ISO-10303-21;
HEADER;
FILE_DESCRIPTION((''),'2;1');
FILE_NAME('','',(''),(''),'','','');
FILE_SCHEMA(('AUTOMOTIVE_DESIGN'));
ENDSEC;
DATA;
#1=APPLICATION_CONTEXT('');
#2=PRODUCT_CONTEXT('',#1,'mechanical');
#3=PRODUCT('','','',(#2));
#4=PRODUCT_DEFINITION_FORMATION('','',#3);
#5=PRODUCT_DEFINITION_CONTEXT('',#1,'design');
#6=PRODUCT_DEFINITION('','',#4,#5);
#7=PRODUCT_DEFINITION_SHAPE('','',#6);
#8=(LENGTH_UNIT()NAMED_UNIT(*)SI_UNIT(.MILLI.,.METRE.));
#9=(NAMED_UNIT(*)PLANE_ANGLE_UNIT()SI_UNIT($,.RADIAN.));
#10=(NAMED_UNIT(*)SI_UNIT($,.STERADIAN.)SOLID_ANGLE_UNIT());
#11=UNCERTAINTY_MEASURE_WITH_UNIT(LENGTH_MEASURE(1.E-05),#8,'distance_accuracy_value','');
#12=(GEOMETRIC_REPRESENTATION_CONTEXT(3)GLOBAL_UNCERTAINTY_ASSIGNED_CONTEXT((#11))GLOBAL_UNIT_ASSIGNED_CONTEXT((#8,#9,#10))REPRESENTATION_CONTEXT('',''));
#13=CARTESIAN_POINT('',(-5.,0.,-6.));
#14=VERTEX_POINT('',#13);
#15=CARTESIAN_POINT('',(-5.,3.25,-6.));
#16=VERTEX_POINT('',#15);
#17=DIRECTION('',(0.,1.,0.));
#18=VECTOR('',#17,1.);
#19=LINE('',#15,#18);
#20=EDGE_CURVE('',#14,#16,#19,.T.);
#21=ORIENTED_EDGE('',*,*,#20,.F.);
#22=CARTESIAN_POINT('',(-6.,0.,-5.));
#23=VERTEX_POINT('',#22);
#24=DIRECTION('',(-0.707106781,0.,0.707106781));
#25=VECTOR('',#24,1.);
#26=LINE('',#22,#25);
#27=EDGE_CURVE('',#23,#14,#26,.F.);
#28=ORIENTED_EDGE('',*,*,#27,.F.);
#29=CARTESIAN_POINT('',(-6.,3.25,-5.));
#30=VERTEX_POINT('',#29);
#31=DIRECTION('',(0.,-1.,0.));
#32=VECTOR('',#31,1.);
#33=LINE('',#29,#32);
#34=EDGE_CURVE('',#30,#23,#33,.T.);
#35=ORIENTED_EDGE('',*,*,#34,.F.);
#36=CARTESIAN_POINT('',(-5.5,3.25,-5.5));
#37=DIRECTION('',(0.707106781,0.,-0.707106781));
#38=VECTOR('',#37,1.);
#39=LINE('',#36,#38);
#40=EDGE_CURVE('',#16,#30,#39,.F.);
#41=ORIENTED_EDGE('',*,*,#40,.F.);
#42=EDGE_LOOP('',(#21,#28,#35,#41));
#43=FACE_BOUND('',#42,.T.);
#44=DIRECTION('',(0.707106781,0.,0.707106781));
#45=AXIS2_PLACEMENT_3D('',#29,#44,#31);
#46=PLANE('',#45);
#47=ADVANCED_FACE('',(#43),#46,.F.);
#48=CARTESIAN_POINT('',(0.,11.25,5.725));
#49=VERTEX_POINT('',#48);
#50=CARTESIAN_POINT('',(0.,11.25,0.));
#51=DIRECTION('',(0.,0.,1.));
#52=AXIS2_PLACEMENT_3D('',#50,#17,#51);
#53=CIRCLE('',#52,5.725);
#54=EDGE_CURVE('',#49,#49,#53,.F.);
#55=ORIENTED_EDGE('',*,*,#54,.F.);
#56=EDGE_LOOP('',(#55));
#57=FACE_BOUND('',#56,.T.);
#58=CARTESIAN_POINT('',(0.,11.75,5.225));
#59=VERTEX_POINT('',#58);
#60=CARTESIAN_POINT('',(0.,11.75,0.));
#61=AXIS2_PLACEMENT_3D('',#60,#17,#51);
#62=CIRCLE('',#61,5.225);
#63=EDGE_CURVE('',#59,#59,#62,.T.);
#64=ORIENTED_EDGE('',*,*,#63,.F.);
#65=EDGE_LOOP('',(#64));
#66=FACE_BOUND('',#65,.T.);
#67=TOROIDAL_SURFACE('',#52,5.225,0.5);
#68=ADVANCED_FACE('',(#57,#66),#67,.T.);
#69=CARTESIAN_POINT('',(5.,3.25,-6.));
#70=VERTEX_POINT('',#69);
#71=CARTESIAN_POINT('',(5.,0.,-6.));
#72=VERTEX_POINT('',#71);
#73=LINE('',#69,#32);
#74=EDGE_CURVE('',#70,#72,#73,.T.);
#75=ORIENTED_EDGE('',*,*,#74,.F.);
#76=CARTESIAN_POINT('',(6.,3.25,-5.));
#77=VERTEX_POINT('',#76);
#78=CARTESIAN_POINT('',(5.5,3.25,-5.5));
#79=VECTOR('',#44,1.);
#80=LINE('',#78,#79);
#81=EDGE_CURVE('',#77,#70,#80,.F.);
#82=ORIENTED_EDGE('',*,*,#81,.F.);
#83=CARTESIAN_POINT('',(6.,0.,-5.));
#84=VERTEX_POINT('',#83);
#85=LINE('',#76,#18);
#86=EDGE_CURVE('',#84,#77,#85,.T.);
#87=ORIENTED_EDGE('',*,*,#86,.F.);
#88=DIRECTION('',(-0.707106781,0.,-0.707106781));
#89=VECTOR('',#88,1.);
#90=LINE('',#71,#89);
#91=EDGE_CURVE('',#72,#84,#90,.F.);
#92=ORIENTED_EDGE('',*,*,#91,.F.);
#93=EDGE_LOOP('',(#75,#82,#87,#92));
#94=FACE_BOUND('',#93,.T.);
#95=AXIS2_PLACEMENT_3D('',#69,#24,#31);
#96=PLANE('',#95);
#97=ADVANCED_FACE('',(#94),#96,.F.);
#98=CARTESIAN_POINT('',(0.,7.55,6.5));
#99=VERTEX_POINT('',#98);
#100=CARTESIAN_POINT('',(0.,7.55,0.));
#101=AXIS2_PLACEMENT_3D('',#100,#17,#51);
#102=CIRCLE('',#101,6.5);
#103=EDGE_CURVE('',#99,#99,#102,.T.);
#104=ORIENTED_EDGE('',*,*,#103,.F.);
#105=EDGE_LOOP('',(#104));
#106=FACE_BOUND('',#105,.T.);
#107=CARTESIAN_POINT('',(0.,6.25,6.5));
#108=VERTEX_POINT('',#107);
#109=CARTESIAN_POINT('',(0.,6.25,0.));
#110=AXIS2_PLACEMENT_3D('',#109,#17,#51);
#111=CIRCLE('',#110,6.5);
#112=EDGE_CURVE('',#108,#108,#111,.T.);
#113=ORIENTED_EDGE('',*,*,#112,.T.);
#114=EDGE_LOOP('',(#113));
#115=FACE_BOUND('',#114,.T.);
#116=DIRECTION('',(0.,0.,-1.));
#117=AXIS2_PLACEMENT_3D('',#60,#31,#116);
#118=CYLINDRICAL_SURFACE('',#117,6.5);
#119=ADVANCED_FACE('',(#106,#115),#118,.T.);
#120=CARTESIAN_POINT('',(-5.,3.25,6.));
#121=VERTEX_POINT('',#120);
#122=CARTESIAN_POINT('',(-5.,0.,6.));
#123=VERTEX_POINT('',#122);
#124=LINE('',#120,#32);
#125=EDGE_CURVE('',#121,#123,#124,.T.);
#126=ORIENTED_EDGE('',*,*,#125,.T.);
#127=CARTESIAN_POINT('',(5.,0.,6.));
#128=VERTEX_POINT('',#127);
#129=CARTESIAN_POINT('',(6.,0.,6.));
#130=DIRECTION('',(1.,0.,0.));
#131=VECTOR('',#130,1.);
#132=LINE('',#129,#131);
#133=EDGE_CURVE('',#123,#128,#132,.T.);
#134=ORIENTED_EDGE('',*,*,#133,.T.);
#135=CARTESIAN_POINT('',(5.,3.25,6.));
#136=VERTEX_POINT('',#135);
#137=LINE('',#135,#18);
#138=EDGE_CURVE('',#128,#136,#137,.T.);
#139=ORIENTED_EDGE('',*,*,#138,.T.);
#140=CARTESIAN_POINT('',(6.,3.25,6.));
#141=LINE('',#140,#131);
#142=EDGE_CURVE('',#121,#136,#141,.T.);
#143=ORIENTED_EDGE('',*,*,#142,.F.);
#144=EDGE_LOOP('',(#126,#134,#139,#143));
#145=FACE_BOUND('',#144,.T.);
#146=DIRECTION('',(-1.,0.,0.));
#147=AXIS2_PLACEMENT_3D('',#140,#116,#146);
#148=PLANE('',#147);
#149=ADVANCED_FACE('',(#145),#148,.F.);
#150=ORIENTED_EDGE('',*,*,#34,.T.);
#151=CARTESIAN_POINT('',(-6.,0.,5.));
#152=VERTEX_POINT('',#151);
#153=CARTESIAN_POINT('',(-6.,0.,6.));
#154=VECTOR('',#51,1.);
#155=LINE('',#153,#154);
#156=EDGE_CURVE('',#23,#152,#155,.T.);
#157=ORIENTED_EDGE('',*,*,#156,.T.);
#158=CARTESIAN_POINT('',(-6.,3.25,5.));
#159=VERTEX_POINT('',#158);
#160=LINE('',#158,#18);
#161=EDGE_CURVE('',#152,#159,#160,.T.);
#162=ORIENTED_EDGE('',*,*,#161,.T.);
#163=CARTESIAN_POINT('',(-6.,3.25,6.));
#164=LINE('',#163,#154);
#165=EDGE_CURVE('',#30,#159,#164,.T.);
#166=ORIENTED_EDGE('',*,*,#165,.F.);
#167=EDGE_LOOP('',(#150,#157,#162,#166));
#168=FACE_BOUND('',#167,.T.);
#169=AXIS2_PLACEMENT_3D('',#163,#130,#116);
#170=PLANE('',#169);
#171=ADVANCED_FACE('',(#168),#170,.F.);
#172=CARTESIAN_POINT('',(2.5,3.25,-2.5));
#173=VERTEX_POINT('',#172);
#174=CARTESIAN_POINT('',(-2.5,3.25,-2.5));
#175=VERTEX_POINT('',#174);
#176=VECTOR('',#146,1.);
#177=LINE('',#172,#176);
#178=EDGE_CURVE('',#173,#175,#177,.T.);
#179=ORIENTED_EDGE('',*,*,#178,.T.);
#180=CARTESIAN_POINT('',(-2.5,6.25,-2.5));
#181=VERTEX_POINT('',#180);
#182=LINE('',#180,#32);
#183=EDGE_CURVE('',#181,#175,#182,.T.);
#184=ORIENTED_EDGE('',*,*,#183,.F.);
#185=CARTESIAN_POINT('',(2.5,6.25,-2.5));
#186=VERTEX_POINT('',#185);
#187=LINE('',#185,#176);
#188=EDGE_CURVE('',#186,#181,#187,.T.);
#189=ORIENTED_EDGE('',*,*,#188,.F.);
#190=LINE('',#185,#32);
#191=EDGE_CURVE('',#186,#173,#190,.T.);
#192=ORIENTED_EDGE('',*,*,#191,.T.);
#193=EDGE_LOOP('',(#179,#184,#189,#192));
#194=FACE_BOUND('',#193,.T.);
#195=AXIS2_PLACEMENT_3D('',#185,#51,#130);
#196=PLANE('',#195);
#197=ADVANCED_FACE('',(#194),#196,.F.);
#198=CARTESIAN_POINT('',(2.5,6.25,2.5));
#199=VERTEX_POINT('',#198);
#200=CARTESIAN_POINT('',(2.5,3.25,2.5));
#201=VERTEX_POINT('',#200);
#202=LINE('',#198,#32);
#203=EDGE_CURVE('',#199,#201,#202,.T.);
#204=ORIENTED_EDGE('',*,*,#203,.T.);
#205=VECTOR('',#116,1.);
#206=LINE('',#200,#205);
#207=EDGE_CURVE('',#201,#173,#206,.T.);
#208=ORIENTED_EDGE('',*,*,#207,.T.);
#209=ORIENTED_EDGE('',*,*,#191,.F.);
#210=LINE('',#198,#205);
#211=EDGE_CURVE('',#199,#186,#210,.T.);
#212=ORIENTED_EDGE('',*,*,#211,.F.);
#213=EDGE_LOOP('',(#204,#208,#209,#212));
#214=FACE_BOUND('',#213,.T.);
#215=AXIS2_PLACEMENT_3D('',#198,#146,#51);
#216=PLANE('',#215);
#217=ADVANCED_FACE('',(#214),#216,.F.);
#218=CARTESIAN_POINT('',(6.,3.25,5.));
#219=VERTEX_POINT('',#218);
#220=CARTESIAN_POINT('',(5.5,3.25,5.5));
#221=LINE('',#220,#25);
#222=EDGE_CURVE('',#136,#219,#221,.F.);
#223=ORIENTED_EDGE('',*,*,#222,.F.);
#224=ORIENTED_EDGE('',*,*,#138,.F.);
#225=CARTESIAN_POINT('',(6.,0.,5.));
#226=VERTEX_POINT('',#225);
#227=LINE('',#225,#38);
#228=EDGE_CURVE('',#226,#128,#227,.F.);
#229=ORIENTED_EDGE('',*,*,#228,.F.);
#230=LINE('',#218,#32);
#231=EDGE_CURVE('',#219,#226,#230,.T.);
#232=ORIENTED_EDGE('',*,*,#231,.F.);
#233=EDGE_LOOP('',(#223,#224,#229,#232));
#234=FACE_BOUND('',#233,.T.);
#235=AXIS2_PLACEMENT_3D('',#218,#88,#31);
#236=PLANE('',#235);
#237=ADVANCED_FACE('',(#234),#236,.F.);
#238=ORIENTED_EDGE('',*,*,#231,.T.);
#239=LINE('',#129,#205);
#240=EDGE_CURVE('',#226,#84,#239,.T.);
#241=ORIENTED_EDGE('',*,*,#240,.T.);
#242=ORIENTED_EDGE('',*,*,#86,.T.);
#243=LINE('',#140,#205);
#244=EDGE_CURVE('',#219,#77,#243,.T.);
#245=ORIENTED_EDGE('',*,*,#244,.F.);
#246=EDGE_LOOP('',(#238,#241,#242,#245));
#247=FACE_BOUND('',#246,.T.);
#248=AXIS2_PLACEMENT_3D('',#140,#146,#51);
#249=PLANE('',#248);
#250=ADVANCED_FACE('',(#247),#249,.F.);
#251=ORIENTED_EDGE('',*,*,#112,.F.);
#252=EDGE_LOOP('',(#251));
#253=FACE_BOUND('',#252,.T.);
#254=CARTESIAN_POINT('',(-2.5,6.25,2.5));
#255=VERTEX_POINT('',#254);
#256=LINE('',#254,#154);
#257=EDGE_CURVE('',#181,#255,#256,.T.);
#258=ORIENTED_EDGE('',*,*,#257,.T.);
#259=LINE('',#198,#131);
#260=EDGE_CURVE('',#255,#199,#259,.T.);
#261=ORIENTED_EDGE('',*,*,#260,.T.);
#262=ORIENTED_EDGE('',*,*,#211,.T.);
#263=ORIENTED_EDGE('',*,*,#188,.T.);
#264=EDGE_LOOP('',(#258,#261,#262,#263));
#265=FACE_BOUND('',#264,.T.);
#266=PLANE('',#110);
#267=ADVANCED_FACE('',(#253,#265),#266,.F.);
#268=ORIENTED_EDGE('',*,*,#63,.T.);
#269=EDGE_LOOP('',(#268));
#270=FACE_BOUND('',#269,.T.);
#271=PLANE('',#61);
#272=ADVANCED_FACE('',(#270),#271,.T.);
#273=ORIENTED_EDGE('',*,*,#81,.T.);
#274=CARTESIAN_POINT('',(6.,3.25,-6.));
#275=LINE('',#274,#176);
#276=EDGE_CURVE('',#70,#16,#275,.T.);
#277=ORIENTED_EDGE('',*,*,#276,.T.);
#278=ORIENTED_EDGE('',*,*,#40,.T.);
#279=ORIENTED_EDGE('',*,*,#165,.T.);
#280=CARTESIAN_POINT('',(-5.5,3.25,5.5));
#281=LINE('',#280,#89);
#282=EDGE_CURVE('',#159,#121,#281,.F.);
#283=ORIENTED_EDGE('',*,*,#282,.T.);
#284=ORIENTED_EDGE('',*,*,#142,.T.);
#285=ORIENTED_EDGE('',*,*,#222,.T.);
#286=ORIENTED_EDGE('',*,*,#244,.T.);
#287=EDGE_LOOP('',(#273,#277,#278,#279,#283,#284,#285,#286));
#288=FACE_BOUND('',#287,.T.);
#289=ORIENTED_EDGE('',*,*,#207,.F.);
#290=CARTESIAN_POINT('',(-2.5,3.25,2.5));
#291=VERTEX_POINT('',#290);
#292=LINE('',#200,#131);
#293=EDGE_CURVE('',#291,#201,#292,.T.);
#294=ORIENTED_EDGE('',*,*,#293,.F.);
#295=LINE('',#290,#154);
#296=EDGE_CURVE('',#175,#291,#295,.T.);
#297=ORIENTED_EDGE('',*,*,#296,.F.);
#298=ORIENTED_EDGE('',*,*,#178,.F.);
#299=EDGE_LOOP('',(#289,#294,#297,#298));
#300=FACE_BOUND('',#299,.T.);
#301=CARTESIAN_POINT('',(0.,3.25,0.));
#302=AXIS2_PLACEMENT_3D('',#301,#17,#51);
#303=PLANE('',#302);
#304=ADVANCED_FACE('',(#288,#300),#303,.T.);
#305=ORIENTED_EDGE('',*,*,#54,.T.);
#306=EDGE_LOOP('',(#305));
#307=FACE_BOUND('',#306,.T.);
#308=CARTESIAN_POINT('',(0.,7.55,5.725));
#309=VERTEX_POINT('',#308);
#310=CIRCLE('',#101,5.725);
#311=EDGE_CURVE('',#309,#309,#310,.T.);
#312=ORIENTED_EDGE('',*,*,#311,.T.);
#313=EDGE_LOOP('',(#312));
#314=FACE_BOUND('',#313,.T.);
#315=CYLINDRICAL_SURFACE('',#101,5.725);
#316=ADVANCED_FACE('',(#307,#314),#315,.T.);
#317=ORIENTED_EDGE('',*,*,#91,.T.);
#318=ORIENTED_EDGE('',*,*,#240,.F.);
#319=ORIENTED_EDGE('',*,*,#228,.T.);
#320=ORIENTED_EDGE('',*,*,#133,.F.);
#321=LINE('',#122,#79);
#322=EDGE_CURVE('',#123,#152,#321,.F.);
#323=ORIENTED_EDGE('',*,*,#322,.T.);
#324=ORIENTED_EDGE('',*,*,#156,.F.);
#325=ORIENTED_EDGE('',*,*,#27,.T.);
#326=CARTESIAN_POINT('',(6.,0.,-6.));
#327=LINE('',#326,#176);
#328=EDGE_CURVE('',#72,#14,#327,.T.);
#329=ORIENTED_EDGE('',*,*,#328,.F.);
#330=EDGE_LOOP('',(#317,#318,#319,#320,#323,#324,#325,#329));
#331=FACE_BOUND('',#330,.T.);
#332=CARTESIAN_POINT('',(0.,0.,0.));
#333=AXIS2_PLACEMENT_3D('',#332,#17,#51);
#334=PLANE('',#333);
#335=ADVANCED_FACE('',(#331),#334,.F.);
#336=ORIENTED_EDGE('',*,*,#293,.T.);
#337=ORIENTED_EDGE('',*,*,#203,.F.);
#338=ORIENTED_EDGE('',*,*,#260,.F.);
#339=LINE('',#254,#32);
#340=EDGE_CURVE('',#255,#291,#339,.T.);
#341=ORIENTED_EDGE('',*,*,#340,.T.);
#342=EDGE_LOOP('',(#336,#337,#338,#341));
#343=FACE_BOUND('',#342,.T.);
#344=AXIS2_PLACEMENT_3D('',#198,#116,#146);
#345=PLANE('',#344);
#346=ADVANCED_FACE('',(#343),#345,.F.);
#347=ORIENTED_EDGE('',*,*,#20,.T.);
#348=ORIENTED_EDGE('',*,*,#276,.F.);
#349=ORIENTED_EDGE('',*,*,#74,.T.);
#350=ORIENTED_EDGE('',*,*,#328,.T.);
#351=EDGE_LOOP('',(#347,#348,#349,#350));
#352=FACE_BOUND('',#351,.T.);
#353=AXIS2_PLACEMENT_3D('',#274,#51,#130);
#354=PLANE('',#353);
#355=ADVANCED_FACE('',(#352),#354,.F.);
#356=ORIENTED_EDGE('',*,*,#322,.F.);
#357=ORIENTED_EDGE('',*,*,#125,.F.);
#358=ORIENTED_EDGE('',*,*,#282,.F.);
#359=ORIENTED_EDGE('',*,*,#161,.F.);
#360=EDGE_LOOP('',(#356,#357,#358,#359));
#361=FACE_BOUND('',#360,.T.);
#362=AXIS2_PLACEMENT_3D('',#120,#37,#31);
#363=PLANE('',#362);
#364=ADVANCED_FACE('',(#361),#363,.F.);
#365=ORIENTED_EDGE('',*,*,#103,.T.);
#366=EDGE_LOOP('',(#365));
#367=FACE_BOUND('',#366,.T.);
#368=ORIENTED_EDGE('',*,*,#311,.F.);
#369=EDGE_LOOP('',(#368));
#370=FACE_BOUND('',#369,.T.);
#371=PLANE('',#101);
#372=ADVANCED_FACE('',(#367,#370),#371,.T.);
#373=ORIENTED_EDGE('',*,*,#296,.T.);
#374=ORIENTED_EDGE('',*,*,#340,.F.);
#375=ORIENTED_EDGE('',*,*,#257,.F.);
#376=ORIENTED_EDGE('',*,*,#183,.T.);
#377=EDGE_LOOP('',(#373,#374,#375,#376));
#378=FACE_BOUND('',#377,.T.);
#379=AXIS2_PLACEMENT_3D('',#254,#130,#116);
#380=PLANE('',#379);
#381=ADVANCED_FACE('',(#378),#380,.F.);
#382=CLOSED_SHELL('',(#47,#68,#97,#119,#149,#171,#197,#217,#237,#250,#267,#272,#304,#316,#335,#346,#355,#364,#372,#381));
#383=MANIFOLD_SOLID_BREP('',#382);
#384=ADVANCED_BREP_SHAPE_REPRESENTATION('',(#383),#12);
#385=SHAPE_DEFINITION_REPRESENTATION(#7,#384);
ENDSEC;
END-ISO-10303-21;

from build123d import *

# Parameters (mm, degrees)
SKETCH1_W           = 12
SKETCH1_H           = 12
BOSS_EXTRUDE1_DEPTH = 3.25
CHAMFER1_SIZE       = 1
SKETCH2_W           = 5
SKETCH2_H           = 5
BOSS_EXTRUDE2_DEPTH = 3
SKETCH3_R           = 6.5
BOSS_EXTRUDE3_DEPTH = 5.5
CUT_EXTRUDE1_START  = -4.2
SKETCH4_R           = 6.5
SKETCH4_R_2         = 5.725
CUT_EXTRUDE1_DEPTH  = 4.2
FILLET1_R           = 0.5


with BuildPart() as part:
    # Sketch1 → Boss-Extrude1 (new body)
    with BuildSketch(Plane(origin=(0, 0, 0), x_dir=(1, 0, 0), z_dir=(0, 1, 0))):
        Rectangle(SKETCH1_W, SKETCH1_H)
    extrude(amount=BOSS_EXTRUDE1_DEPTH)

    # Chamfer1
    chamfer1_edges = [part.edges().sort_by_distance(p)[0] for p in [
        (-6, 1.625, -6),
        (6, 1.625, -6),
        (6, 1.625, 6),
        (-6, 1.625, 6),
    ]]
    chamfer(chamfer1_edges, length=CHAMFER1_SIZE)

    # Sketch2 → Boss-Extrude2 (add)
    with BuildSketch(Plane(origin=(0, 3.25, 0), x_dir=(1, 0, 0), z_dir=(0, 1, 0))):
        Rectangle(SKETCH2_W, SKETCH2_H)
    extrude(amount=BOSS_EXTRUDE2_DEPTH)

    # Sketch3 → Boss-Extrude3 (add)
    with BuildSketch(Plane(origin=(0, 6.25, 0), x_dir=(1, 0, 0), z_dir=(0, 1, 0))):
        with Locations(Location((0, 0, 0), (0, 0, 270))):
            Circle(SKETCH3_R)
    extrude(amount=BOSS_EXTRUDE3_DEPTH)

    # Sketch4 → Cut-Extrude1 (cut)
    with BuildSketch(Plane(origin=(0, 11.75, 0), x_dir=(1, 0, 0), z_dir=(0, 1, 0)).offset(CUT_EXTRUDE1_START)):
        with Locations(Location((0, 0, 0), (0, 0, 270))):
            Circle(SKETCH4_R)
        with Locations(Location((0, 0, 0), (0, 0, 270))):
            Circle(SKETCH4_R_2, mode=Mode.SUBTRACT)
    extrude(amount=CUT_EXTRUDE1_DEPTH, mode=Mode.SUBTRACT)

    # Fillet1
    fillet1_edges = [part.edges().sort_by_distance(p)[0] for p in [
        (0, 11.75, -5.725),
    ]]
    fillet(fillet1_edges, radius=FILLET1_R)


solid = part.part
